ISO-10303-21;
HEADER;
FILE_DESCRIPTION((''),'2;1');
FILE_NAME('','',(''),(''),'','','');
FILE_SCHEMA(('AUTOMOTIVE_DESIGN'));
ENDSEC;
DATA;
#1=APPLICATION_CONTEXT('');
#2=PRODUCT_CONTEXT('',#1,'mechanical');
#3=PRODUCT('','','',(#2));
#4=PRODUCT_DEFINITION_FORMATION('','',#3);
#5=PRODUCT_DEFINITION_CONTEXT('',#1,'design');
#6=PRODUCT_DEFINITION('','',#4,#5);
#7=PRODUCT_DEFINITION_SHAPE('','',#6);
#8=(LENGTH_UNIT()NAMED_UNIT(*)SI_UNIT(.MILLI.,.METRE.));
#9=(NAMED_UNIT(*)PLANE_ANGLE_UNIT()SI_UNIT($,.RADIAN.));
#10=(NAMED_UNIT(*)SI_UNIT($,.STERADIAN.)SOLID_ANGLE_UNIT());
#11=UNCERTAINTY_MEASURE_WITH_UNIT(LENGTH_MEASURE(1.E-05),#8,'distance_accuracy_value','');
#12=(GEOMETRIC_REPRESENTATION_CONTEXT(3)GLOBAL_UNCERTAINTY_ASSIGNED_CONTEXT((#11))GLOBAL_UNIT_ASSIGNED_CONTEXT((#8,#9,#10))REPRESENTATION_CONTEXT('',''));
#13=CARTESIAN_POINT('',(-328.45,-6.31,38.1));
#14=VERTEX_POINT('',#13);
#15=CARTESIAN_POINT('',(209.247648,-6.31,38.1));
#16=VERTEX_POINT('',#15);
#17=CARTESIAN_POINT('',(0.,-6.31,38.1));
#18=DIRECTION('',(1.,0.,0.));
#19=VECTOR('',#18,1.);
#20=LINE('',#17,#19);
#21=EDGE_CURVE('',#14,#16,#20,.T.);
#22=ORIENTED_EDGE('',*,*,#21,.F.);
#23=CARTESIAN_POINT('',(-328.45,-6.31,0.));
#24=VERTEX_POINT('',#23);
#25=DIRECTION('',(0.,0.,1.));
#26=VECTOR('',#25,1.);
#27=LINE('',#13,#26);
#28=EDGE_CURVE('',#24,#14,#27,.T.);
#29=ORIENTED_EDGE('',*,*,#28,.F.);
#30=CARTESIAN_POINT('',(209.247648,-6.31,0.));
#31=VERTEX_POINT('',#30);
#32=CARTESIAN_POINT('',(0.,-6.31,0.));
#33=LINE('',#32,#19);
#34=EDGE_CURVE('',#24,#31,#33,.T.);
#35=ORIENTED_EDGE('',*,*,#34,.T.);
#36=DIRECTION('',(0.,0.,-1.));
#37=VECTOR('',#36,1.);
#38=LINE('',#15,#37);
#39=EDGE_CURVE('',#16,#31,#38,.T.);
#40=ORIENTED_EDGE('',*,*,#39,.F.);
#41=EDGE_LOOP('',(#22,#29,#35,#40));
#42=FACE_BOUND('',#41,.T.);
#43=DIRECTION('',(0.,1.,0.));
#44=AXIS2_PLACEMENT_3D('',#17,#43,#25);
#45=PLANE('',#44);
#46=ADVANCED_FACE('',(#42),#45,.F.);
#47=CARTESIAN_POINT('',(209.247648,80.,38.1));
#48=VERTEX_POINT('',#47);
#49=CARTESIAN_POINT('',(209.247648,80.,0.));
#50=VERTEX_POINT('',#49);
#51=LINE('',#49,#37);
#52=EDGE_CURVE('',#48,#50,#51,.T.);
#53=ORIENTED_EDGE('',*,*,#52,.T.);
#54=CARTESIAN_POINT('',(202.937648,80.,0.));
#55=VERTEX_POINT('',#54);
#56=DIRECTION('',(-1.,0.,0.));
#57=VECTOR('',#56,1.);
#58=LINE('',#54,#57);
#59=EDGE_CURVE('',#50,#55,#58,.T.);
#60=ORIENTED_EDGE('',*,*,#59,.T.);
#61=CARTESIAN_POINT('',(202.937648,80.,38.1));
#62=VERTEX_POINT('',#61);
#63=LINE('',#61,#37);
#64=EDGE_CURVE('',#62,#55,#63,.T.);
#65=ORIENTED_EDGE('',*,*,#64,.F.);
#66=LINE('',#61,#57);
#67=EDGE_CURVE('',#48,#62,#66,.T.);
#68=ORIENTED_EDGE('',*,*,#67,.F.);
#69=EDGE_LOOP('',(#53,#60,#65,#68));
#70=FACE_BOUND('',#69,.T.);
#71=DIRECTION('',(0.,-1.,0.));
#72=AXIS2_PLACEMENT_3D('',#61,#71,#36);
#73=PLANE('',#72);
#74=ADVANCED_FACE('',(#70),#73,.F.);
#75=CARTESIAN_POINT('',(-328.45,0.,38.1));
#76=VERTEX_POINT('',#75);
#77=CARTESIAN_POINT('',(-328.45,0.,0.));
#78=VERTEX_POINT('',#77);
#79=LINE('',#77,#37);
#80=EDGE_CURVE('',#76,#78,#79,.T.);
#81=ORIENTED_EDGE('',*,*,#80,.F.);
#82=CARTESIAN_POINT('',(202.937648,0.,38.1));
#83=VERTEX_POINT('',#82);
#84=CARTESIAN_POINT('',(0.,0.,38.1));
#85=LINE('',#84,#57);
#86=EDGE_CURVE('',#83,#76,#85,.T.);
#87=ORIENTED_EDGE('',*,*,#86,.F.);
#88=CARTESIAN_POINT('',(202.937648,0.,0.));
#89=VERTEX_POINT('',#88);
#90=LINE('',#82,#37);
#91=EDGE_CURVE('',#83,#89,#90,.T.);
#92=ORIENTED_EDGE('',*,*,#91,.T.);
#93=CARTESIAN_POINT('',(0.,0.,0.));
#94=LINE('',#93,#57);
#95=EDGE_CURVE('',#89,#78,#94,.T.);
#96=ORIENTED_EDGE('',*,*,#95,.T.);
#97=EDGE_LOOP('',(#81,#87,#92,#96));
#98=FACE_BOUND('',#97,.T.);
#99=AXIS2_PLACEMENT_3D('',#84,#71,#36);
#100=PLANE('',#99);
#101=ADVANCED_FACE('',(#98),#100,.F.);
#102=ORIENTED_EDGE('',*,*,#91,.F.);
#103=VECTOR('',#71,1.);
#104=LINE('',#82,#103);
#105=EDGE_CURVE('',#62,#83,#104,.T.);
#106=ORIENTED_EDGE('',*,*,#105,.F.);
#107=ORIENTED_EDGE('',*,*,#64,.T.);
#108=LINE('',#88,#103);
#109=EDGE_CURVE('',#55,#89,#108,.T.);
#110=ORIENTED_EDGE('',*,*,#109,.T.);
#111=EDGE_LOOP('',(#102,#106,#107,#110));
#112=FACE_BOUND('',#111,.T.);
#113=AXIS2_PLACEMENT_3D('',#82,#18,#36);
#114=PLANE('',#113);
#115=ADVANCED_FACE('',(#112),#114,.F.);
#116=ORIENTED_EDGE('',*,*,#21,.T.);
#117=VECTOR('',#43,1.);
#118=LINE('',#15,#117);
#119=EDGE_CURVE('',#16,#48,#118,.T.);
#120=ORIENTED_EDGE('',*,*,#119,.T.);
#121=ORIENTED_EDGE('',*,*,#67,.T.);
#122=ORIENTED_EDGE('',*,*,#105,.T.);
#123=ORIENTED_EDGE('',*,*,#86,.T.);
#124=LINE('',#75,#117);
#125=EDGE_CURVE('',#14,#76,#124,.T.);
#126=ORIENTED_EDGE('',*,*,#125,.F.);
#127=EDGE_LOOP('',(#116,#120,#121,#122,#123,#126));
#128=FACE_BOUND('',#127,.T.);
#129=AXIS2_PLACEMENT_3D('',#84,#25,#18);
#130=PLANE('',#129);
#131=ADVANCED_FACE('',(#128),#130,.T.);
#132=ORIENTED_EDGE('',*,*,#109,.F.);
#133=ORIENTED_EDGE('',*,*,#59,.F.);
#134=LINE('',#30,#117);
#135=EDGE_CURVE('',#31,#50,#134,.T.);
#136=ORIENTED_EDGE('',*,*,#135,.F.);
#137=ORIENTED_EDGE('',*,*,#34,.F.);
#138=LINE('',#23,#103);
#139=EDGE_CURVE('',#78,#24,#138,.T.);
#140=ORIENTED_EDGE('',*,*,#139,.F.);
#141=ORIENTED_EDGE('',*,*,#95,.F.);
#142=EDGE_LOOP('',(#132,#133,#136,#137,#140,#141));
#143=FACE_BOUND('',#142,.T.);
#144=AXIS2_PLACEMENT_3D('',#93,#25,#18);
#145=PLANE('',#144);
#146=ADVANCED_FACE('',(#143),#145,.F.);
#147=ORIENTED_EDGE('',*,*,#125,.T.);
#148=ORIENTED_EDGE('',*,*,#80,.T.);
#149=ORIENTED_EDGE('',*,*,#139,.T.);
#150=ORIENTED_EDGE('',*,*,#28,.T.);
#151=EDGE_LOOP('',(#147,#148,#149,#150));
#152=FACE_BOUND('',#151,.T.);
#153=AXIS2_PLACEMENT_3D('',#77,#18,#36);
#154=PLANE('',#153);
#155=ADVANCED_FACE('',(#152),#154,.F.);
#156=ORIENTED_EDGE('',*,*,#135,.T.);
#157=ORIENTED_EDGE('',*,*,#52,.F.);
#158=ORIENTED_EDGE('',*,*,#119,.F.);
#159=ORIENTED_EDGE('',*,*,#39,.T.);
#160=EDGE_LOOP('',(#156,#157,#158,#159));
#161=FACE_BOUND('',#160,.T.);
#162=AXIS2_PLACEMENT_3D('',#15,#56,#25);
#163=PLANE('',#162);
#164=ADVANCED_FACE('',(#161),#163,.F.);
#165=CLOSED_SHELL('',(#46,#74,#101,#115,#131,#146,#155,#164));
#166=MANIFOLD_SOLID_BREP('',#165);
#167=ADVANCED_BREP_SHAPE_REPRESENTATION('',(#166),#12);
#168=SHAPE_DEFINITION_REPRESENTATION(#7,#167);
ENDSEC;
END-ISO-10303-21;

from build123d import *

# Parameters (mm, degrees)
SALIENTE_EXTRUIR1_DEPTH = 38.1
CROQUIS4_W              = 140.392352489
CROQUIS4_H              = 38.1
CORTAR_EXTRUIR2_DEPTH   = 6.31
CROQUIS5_W              = 38.1
CROQUIS5_H              = 6.31
SALIENTE_EXTRUIR2_DEPTH = 328.45


with BuildPart() as part:
    # Croquis1 → Saliente-Extruir1 (new body)
    with BuildSketch(Plane.XY):
        Polygon((0, 0), (202.937647511, 0), (202.937647511, 80), (349.64, 80), (349.64, 73.69), (209.247647511, 73.69), (209.247647511, -6.31), (0, -6.31), align=None)
    extrude(amount=SALIENTE_EXTRUIR1_DEPTH)

    # Croquis4 → Cortar-Extruir2 (cut)
    with BuildSketch(Plane.XZ.offset(-73.69)):
        with Locations((279.443823756, 19.05)):
            Rectangle(CROQUIS4_W, CROQUIS4_H)
    extrude(amount=-CORTAR_EXTRUIR2_DEPTH, mode=Mode.SUBTRACT)

    # Croquis5 → Saliente-Extruir2 (add)
    with BuildSketch(Plane.ZY):
        with Locations((19.05, -3.155)):
            Rectangle(CROQUIS5_W, CROQUIS5_H)
    extrude(amount=SALIENTE_EXTRUIR2_DEPTH)


solid = part.part
